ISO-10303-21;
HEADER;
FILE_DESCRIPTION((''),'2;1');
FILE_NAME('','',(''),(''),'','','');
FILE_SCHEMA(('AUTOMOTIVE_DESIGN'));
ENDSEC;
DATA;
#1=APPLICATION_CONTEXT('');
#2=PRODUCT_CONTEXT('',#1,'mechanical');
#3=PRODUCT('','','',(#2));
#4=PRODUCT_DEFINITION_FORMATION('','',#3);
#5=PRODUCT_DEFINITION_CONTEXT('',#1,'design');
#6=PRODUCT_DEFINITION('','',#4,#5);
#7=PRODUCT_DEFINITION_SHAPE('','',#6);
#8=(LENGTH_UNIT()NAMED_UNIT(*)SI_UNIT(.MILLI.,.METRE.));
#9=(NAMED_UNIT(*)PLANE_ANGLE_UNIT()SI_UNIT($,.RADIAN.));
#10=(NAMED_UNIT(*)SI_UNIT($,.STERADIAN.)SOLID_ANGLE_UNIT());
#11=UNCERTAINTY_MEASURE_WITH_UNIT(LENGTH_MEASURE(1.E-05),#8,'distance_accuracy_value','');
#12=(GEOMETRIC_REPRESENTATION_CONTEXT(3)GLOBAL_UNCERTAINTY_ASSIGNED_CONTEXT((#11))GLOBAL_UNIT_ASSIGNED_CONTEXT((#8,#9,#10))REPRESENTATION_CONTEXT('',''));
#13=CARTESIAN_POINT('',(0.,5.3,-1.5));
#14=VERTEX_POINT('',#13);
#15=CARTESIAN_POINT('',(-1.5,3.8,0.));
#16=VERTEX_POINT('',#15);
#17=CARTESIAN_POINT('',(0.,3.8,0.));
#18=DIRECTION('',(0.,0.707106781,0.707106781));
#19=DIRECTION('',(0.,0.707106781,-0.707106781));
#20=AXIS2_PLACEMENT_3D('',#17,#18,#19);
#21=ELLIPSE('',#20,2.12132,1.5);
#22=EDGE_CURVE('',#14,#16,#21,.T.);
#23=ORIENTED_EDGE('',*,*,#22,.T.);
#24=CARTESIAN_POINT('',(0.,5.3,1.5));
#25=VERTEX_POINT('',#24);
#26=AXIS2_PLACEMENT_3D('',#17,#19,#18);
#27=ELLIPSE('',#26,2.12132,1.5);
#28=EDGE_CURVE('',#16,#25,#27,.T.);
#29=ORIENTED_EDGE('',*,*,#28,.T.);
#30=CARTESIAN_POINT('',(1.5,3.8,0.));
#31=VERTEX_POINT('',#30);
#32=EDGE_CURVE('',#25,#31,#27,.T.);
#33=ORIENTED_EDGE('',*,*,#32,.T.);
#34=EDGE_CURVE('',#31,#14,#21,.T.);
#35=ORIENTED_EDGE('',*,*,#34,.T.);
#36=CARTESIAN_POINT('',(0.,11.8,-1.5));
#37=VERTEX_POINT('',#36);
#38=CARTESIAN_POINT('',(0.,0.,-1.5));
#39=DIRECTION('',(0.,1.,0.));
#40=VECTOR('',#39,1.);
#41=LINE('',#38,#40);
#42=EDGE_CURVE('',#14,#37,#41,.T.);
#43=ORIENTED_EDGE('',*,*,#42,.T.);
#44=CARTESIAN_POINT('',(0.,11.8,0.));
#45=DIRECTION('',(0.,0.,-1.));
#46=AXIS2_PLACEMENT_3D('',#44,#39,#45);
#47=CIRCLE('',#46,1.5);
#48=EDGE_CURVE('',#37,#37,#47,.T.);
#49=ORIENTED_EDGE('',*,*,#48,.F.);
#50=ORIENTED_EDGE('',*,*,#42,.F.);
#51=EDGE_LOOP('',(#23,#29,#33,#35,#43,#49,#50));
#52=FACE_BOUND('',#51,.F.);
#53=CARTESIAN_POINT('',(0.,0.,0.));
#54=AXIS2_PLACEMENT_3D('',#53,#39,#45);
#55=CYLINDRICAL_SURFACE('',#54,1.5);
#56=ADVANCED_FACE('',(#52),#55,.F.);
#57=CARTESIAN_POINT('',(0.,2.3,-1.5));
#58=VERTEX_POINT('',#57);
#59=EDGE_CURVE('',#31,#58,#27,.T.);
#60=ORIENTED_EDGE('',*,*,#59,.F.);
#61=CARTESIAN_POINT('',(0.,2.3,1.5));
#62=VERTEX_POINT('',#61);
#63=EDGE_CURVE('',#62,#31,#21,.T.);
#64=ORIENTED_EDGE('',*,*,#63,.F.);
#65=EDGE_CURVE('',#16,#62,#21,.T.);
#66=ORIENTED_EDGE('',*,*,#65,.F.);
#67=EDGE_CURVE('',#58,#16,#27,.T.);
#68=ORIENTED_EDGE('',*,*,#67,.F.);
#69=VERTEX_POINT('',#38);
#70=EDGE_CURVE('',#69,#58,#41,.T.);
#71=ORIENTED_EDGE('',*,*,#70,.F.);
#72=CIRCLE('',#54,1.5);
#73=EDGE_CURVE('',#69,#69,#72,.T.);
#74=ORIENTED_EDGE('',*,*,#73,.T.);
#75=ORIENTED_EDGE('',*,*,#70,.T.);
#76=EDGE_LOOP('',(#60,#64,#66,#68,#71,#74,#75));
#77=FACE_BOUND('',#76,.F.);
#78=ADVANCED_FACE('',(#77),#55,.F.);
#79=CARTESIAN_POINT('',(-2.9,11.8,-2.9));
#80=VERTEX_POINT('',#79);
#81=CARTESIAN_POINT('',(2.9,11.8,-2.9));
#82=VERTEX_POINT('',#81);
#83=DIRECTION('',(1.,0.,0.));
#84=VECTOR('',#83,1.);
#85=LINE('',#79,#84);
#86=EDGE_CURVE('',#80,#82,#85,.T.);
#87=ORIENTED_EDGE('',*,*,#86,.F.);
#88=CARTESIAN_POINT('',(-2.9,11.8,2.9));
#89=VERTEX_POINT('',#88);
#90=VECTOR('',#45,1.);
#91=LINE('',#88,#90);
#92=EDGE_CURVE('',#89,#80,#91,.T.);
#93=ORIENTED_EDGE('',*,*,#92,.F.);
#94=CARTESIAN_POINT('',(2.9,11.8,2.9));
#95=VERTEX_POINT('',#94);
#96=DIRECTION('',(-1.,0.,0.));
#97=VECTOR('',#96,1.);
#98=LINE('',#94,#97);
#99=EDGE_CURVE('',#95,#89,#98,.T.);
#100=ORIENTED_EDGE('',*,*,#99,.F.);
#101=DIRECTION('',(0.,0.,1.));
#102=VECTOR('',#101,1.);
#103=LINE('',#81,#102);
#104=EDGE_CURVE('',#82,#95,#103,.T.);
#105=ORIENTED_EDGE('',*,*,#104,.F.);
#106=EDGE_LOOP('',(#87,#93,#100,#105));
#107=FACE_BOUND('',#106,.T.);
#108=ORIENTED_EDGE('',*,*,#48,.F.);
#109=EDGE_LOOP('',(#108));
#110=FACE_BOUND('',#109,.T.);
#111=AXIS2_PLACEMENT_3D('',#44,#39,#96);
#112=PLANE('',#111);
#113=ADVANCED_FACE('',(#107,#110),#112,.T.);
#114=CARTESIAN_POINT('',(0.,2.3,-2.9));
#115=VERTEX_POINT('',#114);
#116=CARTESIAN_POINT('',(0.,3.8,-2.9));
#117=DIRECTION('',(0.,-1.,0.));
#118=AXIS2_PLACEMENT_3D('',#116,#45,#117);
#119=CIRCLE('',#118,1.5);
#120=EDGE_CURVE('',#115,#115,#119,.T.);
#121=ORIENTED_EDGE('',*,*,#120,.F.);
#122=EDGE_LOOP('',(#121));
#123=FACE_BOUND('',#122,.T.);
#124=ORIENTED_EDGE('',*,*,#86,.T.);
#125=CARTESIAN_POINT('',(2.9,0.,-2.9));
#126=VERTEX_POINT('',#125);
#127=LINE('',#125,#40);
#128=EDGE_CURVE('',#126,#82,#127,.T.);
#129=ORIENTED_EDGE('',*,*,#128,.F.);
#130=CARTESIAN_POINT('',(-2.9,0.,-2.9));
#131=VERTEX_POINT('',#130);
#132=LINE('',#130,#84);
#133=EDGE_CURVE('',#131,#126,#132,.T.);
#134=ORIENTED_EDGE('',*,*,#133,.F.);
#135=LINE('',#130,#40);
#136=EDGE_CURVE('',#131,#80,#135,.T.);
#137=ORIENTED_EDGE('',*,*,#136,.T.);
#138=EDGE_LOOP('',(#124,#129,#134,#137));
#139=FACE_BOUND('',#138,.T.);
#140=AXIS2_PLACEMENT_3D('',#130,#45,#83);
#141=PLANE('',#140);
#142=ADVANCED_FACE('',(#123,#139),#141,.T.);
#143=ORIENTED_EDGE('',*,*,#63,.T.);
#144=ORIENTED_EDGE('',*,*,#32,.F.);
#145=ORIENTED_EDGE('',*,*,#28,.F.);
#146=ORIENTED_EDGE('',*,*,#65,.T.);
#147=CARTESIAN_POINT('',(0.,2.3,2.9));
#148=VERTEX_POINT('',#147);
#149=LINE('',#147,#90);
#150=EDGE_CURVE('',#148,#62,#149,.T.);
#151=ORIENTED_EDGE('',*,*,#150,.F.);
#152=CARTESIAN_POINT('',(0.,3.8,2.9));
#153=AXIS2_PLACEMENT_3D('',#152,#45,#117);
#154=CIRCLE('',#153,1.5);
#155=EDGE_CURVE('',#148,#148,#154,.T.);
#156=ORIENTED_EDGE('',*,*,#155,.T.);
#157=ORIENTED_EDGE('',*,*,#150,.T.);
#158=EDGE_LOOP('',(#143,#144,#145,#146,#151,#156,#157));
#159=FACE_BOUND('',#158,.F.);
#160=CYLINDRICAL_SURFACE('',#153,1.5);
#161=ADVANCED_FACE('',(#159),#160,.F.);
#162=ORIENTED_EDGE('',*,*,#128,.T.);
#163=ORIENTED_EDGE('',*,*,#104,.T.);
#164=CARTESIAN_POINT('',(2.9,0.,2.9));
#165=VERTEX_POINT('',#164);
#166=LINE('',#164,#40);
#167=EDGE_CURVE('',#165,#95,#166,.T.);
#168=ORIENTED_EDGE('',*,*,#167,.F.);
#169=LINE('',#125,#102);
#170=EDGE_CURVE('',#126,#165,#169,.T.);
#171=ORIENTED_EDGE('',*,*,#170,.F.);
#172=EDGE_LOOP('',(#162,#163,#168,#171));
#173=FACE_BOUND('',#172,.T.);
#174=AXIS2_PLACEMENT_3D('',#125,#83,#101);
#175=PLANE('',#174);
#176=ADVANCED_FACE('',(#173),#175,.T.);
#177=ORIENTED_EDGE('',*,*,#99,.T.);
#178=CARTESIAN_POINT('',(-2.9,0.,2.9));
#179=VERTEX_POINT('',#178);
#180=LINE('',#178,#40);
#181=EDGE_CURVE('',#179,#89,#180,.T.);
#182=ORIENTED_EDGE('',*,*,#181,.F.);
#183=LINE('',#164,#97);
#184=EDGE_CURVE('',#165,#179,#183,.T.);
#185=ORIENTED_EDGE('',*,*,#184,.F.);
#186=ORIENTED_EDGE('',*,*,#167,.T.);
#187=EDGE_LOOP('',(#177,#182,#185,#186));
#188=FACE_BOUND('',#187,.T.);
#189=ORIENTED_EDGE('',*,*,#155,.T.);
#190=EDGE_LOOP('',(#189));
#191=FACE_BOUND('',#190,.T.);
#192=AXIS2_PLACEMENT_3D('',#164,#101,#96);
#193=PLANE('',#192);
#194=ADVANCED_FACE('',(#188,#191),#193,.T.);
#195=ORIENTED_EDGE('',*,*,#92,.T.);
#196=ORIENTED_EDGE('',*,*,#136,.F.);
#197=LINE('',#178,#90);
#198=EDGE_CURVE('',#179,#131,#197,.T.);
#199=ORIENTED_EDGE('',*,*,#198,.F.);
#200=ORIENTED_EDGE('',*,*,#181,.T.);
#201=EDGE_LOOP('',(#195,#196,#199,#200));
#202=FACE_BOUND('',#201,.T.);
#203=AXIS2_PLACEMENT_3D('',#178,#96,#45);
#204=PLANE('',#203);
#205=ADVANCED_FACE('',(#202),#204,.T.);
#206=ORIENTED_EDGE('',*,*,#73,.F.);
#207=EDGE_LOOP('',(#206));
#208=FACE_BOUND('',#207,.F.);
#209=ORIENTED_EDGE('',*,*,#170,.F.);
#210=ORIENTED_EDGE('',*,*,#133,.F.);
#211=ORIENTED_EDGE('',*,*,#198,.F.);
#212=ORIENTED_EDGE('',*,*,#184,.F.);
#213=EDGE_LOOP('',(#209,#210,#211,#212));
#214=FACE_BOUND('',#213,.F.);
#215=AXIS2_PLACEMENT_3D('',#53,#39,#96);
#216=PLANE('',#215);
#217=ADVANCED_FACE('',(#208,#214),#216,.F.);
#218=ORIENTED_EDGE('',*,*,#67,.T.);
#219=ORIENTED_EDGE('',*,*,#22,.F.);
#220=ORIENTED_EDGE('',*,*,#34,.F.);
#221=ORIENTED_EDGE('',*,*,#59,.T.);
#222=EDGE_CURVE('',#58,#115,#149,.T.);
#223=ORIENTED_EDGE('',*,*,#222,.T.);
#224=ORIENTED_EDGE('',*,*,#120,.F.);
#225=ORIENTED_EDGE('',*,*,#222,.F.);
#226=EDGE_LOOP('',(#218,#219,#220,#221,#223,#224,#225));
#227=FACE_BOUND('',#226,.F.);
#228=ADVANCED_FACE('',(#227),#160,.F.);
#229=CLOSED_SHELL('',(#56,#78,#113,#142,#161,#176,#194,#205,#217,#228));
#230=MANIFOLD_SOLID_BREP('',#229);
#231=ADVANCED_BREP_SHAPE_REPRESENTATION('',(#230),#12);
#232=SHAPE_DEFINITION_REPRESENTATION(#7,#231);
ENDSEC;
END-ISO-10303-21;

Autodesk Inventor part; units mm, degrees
ref_plane "YZ Plane" through (0, 0, 0) normal (1, 0, 0) x (0, 1, 0)
ref_plane "XZ Plane" through (0, 0, 0) normal (0, 1, 0) x (-1, 0, 0)
ref_plane "XY Plane" through (0, 0, 0) normal (0, 0, 1) x (1, 0, 0)
sketch "Sketch1" plane through (0, 0, 0) normal (0, 1, 0) x (-1, 0, 0)
  line L0 (-2.9, 2.9) -> (2.9, 2.9)
  line L1 (2.9, 2.9) -> (2.9, -2.9)
  line L2 (2.9, -2.9) -> (-2.9, -2.9)
  line L3 (-2.9, -2.9) -> (-2.9, 2.9)
  line L4 (-2.9, 2.9) -> (2.9, -2.9) construction
  line L5 (2.9, 2.9) -> (-2.9, -2.9) construction
  point P0 (0, 0)
  point P1 (0, 0)
  dimension "d0" = 5.8
extrude "Extrusion1" add sketch "Sketch1" along normal blind 11.8
hole "Hole1" at (0, 0, 0) direction (0, 1, 0) diameter 3 end through all
thread "Thread1" size "M3x0.5" class "6H" standard "ANSI Metric M Profile" full length
sketch "Sketch2" plane through (-2.9, 0, 2.9) normal (0, 0, 1) x (1, 0, 0)
  line L0 (5.8, 0) -> (0, 0) projected
  line L1 (5.8, 0) -> (5.8, 11.8) projected
  line L2 (0, 11.8) -> (5.8, 11.8) projected
  line L3 (0, 0) -> (0, 11.8) projected
  line L4 (2.9, 0) -> (2.9, 3.8) construction
  dimension "d12" = 3.8
hole "Hole2" at (0, 3.8, 2.9) direction (0, 0, -1) diameter 3 end through all
thread "Thread2" size "M3x0.5" class "6H" standard "ANSI Metric M Profile" full length
equation "\"square_width\" = d0"
equation "\"height\" = d1"
equation "\"side_hole_to_side_short\" = d12"
equation "\"side_hole_to_side_long\" = height - side_hole_to_side_short"
equation "\"side_hole_to_side_intermediate\" = 0.5 * square_width"
equation "\"central_hole_to_side\" = 0.5 * square_width"
equation "\"d1\" = 11.8"
properties part number "M3_cube_standoff"
